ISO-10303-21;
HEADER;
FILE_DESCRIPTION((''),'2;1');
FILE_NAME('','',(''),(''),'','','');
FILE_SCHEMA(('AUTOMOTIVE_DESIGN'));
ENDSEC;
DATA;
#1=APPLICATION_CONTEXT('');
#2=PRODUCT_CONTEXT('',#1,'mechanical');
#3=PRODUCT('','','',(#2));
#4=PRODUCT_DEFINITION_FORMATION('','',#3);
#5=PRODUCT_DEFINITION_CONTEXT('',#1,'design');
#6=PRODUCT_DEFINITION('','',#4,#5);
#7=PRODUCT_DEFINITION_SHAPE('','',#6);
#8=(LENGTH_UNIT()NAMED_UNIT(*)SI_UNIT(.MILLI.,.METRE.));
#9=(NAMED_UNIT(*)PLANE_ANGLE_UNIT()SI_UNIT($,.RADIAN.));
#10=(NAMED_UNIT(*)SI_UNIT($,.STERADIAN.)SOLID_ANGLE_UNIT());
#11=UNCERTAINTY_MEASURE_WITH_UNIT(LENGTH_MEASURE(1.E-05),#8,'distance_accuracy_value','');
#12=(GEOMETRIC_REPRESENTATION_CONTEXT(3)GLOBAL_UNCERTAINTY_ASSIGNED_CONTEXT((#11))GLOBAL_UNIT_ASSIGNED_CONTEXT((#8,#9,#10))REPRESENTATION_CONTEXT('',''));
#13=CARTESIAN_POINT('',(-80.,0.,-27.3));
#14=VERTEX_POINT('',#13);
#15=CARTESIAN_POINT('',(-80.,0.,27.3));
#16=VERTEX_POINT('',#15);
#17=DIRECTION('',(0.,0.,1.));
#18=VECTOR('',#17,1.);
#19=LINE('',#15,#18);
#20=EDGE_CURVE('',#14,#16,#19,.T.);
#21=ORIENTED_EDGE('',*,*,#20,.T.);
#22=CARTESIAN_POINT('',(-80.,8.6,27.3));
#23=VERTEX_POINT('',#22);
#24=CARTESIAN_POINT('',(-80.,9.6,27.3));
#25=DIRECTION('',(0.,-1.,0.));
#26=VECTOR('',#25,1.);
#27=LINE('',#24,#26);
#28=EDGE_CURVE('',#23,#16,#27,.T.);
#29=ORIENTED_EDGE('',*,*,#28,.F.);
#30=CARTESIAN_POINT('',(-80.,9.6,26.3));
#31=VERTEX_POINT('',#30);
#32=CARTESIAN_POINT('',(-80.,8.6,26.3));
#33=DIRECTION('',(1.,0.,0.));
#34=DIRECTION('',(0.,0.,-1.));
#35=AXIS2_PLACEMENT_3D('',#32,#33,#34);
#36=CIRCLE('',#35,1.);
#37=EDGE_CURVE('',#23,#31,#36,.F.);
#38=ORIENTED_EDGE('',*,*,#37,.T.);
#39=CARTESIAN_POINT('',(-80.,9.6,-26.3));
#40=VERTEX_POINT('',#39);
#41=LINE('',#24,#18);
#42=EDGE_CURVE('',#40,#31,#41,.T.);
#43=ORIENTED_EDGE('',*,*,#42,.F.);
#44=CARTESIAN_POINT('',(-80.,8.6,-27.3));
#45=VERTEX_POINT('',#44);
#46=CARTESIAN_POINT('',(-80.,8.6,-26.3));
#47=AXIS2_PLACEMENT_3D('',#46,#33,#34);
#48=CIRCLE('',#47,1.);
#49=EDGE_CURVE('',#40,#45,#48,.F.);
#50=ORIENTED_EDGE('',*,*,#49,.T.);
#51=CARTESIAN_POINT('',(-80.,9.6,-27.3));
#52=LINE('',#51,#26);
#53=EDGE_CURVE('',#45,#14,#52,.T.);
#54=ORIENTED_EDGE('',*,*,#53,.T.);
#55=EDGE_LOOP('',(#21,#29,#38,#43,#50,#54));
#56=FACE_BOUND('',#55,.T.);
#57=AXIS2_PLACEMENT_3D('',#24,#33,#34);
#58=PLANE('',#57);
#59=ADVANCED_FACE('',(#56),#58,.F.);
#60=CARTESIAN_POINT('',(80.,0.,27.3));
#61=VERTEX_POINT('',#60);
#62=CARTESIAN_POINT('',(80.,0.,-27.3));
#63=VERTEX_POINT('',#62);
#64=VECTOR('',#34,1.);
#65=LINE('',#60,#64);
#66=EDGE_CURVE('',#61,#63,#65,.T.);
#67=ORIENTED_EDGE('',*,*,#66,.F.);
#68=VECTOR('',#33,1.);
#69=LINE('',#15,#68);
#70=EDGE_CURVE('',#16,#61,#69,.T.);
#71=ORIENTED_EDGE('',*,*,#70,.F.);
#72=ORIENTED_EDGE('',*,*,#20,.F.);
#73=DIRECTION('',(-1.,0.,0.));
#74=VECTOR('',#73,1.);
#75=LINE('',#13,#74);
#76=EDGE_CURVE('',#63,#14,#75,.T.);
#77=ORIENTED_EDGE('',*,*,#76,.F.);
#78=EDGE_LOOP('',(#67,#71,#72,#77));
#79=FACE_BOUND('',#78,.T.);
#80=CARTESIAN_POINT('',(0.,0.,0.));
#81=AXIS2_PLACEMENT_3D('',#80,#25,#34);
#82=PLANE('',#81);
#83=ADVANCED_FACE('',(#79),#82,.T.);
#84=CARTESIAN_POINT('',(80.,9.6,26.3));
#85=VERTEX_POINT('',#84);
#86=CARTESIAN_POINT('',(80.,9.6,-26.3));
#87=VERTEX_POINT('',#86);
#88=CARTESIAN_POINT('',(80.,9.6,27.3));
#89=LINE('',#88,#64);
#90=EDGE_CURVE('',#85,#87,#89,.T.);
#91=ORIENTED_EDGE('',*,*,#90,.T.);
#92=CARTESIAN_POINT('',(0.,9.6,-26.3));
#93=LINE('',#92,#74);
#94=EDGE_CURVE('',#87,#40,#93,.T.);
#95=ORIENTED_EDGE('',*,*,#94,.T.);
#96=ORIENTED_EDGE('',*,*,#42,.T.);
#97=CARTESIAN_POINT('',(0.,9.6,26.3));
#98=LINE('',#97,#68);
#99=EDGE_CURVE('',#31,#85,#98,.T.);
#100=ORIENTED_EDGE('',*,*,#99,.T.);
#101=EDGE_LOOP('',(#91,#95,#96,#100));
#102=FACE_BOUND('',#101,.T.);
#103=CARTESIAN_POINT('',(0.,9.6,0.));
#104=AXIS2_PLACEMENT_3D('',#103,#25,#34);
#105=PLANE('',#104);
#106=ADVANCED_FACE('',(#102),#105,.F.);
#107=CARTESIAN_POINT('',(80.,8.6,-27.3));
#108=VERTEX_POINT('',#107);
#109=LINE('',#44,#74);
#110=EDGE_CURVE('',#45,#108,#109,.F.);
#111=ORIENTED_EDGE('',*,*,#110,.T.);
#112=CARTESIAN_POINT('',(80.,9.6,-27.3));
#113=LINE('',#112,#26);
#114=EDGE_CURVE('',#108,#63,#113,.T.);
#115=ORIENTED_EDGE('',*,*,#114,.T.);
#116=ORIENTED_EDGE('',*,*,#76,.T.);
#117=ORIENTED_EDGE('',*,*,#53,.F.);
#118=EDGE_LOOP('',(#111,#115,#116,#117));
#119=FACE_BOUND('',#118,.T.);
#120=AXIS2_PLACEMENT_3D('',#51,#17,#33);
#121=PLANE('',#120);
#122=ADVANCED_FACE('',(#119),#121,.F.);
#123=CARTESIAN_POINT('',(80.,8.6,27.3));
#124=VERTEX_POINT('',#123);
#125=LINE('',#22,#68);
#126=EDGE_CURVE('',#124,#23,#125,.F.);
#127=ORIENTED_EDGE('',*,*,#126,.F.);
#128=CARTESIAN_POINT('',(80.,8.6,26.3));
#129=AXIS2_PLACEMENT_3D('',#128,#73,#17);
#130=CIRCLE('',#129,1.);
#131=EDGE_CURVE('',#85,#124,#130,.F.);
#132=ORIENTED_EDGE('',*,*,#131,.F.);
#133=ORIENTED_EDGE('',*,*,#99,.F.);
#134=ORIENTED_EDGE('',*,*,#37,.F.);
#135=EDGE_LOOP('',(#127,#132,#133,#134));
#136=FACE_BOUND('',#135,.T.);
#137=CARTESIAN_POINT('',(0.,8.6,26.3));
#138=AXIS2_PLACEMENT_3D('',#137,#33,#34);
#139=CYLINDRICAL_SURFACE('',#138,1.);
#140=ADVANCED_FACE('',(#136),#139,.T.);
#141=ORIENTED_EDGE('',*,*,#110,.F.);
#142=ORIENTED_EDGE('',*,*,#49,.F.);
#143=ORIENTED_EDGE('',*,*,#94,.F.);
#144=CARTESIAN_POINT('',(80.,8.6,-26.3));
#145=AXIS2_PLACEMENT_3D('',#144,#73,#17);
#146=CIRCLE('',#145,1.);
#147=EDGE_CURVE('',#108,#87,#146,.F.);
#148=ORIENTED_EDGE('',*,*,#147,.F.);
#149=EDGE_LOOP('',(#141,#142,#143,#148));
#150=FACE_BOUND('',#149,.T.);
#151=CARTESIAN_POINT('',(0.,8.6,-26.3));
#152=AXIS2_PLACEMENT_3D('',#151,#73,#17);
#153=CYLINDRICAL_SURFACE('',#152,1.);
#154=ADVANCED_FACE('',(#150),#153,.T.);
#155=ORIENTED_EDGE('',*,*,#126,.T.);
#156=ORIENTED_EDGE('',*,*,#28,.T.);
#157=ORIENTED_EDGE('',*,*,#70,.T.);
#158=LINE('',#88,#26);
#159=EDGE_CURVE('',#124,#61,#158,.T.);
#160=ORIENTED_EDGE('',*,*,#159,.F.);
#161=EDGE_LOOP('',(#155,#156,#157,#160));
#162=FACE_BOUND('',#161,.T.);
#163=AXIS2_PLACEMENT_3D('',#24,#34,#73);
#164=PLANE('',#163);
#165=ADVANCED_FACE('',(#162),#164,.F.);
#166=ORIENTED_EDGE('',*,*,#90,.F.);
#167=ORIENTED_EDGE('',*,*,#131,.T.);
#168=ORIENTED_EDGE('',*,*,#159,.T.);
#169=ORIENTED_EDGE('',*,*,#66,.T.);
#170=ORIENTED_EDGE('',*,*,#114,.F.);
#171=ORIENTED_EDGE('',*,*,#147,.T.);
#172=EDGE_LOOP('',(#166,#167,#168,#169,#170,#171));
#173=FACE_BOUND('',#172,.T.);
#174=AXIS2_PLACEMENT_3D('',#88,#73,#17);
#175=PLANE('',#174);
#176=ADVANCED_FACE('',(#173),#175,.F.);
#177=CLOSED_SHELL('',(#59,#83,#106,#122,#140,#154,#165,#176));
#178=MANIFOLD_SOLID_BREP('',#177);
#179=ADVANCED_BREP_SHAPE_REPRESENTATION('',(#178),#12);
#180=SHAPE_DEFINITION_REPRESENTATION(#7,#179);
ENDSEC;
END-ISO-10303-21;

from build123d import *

# Parameters (mm, degrees)
SKETCH1_W           = 160
SKETCH1_H           = 54.6
BOSS_EXTRUDE1_DEPTH = 9.6
FILLET1_R           = 1


with BuildPart() as part:
    # Sketch1 → Boss-Extrude1 (new body)
    with BuildSketch(Plane(origin=(0, 0, 0), x_dir=(1, 0, 0), z_dir=(0, 1, 0))):
        Rectangle(SKETCH1_W, SKETCH1_H)
    extrude(amount=BOSS_EXTRUDE1_DEPTH)

    # Fillet1
    fillet1_edges = [part.edges().sort_by_distance(p)[0] for p in [
        (0, 9.6, 27.3),
        (0, 9.6, -27.3),
    ]]
    fillet(fillet1_edges, radius=FILLET1_R)


solid = part.part
